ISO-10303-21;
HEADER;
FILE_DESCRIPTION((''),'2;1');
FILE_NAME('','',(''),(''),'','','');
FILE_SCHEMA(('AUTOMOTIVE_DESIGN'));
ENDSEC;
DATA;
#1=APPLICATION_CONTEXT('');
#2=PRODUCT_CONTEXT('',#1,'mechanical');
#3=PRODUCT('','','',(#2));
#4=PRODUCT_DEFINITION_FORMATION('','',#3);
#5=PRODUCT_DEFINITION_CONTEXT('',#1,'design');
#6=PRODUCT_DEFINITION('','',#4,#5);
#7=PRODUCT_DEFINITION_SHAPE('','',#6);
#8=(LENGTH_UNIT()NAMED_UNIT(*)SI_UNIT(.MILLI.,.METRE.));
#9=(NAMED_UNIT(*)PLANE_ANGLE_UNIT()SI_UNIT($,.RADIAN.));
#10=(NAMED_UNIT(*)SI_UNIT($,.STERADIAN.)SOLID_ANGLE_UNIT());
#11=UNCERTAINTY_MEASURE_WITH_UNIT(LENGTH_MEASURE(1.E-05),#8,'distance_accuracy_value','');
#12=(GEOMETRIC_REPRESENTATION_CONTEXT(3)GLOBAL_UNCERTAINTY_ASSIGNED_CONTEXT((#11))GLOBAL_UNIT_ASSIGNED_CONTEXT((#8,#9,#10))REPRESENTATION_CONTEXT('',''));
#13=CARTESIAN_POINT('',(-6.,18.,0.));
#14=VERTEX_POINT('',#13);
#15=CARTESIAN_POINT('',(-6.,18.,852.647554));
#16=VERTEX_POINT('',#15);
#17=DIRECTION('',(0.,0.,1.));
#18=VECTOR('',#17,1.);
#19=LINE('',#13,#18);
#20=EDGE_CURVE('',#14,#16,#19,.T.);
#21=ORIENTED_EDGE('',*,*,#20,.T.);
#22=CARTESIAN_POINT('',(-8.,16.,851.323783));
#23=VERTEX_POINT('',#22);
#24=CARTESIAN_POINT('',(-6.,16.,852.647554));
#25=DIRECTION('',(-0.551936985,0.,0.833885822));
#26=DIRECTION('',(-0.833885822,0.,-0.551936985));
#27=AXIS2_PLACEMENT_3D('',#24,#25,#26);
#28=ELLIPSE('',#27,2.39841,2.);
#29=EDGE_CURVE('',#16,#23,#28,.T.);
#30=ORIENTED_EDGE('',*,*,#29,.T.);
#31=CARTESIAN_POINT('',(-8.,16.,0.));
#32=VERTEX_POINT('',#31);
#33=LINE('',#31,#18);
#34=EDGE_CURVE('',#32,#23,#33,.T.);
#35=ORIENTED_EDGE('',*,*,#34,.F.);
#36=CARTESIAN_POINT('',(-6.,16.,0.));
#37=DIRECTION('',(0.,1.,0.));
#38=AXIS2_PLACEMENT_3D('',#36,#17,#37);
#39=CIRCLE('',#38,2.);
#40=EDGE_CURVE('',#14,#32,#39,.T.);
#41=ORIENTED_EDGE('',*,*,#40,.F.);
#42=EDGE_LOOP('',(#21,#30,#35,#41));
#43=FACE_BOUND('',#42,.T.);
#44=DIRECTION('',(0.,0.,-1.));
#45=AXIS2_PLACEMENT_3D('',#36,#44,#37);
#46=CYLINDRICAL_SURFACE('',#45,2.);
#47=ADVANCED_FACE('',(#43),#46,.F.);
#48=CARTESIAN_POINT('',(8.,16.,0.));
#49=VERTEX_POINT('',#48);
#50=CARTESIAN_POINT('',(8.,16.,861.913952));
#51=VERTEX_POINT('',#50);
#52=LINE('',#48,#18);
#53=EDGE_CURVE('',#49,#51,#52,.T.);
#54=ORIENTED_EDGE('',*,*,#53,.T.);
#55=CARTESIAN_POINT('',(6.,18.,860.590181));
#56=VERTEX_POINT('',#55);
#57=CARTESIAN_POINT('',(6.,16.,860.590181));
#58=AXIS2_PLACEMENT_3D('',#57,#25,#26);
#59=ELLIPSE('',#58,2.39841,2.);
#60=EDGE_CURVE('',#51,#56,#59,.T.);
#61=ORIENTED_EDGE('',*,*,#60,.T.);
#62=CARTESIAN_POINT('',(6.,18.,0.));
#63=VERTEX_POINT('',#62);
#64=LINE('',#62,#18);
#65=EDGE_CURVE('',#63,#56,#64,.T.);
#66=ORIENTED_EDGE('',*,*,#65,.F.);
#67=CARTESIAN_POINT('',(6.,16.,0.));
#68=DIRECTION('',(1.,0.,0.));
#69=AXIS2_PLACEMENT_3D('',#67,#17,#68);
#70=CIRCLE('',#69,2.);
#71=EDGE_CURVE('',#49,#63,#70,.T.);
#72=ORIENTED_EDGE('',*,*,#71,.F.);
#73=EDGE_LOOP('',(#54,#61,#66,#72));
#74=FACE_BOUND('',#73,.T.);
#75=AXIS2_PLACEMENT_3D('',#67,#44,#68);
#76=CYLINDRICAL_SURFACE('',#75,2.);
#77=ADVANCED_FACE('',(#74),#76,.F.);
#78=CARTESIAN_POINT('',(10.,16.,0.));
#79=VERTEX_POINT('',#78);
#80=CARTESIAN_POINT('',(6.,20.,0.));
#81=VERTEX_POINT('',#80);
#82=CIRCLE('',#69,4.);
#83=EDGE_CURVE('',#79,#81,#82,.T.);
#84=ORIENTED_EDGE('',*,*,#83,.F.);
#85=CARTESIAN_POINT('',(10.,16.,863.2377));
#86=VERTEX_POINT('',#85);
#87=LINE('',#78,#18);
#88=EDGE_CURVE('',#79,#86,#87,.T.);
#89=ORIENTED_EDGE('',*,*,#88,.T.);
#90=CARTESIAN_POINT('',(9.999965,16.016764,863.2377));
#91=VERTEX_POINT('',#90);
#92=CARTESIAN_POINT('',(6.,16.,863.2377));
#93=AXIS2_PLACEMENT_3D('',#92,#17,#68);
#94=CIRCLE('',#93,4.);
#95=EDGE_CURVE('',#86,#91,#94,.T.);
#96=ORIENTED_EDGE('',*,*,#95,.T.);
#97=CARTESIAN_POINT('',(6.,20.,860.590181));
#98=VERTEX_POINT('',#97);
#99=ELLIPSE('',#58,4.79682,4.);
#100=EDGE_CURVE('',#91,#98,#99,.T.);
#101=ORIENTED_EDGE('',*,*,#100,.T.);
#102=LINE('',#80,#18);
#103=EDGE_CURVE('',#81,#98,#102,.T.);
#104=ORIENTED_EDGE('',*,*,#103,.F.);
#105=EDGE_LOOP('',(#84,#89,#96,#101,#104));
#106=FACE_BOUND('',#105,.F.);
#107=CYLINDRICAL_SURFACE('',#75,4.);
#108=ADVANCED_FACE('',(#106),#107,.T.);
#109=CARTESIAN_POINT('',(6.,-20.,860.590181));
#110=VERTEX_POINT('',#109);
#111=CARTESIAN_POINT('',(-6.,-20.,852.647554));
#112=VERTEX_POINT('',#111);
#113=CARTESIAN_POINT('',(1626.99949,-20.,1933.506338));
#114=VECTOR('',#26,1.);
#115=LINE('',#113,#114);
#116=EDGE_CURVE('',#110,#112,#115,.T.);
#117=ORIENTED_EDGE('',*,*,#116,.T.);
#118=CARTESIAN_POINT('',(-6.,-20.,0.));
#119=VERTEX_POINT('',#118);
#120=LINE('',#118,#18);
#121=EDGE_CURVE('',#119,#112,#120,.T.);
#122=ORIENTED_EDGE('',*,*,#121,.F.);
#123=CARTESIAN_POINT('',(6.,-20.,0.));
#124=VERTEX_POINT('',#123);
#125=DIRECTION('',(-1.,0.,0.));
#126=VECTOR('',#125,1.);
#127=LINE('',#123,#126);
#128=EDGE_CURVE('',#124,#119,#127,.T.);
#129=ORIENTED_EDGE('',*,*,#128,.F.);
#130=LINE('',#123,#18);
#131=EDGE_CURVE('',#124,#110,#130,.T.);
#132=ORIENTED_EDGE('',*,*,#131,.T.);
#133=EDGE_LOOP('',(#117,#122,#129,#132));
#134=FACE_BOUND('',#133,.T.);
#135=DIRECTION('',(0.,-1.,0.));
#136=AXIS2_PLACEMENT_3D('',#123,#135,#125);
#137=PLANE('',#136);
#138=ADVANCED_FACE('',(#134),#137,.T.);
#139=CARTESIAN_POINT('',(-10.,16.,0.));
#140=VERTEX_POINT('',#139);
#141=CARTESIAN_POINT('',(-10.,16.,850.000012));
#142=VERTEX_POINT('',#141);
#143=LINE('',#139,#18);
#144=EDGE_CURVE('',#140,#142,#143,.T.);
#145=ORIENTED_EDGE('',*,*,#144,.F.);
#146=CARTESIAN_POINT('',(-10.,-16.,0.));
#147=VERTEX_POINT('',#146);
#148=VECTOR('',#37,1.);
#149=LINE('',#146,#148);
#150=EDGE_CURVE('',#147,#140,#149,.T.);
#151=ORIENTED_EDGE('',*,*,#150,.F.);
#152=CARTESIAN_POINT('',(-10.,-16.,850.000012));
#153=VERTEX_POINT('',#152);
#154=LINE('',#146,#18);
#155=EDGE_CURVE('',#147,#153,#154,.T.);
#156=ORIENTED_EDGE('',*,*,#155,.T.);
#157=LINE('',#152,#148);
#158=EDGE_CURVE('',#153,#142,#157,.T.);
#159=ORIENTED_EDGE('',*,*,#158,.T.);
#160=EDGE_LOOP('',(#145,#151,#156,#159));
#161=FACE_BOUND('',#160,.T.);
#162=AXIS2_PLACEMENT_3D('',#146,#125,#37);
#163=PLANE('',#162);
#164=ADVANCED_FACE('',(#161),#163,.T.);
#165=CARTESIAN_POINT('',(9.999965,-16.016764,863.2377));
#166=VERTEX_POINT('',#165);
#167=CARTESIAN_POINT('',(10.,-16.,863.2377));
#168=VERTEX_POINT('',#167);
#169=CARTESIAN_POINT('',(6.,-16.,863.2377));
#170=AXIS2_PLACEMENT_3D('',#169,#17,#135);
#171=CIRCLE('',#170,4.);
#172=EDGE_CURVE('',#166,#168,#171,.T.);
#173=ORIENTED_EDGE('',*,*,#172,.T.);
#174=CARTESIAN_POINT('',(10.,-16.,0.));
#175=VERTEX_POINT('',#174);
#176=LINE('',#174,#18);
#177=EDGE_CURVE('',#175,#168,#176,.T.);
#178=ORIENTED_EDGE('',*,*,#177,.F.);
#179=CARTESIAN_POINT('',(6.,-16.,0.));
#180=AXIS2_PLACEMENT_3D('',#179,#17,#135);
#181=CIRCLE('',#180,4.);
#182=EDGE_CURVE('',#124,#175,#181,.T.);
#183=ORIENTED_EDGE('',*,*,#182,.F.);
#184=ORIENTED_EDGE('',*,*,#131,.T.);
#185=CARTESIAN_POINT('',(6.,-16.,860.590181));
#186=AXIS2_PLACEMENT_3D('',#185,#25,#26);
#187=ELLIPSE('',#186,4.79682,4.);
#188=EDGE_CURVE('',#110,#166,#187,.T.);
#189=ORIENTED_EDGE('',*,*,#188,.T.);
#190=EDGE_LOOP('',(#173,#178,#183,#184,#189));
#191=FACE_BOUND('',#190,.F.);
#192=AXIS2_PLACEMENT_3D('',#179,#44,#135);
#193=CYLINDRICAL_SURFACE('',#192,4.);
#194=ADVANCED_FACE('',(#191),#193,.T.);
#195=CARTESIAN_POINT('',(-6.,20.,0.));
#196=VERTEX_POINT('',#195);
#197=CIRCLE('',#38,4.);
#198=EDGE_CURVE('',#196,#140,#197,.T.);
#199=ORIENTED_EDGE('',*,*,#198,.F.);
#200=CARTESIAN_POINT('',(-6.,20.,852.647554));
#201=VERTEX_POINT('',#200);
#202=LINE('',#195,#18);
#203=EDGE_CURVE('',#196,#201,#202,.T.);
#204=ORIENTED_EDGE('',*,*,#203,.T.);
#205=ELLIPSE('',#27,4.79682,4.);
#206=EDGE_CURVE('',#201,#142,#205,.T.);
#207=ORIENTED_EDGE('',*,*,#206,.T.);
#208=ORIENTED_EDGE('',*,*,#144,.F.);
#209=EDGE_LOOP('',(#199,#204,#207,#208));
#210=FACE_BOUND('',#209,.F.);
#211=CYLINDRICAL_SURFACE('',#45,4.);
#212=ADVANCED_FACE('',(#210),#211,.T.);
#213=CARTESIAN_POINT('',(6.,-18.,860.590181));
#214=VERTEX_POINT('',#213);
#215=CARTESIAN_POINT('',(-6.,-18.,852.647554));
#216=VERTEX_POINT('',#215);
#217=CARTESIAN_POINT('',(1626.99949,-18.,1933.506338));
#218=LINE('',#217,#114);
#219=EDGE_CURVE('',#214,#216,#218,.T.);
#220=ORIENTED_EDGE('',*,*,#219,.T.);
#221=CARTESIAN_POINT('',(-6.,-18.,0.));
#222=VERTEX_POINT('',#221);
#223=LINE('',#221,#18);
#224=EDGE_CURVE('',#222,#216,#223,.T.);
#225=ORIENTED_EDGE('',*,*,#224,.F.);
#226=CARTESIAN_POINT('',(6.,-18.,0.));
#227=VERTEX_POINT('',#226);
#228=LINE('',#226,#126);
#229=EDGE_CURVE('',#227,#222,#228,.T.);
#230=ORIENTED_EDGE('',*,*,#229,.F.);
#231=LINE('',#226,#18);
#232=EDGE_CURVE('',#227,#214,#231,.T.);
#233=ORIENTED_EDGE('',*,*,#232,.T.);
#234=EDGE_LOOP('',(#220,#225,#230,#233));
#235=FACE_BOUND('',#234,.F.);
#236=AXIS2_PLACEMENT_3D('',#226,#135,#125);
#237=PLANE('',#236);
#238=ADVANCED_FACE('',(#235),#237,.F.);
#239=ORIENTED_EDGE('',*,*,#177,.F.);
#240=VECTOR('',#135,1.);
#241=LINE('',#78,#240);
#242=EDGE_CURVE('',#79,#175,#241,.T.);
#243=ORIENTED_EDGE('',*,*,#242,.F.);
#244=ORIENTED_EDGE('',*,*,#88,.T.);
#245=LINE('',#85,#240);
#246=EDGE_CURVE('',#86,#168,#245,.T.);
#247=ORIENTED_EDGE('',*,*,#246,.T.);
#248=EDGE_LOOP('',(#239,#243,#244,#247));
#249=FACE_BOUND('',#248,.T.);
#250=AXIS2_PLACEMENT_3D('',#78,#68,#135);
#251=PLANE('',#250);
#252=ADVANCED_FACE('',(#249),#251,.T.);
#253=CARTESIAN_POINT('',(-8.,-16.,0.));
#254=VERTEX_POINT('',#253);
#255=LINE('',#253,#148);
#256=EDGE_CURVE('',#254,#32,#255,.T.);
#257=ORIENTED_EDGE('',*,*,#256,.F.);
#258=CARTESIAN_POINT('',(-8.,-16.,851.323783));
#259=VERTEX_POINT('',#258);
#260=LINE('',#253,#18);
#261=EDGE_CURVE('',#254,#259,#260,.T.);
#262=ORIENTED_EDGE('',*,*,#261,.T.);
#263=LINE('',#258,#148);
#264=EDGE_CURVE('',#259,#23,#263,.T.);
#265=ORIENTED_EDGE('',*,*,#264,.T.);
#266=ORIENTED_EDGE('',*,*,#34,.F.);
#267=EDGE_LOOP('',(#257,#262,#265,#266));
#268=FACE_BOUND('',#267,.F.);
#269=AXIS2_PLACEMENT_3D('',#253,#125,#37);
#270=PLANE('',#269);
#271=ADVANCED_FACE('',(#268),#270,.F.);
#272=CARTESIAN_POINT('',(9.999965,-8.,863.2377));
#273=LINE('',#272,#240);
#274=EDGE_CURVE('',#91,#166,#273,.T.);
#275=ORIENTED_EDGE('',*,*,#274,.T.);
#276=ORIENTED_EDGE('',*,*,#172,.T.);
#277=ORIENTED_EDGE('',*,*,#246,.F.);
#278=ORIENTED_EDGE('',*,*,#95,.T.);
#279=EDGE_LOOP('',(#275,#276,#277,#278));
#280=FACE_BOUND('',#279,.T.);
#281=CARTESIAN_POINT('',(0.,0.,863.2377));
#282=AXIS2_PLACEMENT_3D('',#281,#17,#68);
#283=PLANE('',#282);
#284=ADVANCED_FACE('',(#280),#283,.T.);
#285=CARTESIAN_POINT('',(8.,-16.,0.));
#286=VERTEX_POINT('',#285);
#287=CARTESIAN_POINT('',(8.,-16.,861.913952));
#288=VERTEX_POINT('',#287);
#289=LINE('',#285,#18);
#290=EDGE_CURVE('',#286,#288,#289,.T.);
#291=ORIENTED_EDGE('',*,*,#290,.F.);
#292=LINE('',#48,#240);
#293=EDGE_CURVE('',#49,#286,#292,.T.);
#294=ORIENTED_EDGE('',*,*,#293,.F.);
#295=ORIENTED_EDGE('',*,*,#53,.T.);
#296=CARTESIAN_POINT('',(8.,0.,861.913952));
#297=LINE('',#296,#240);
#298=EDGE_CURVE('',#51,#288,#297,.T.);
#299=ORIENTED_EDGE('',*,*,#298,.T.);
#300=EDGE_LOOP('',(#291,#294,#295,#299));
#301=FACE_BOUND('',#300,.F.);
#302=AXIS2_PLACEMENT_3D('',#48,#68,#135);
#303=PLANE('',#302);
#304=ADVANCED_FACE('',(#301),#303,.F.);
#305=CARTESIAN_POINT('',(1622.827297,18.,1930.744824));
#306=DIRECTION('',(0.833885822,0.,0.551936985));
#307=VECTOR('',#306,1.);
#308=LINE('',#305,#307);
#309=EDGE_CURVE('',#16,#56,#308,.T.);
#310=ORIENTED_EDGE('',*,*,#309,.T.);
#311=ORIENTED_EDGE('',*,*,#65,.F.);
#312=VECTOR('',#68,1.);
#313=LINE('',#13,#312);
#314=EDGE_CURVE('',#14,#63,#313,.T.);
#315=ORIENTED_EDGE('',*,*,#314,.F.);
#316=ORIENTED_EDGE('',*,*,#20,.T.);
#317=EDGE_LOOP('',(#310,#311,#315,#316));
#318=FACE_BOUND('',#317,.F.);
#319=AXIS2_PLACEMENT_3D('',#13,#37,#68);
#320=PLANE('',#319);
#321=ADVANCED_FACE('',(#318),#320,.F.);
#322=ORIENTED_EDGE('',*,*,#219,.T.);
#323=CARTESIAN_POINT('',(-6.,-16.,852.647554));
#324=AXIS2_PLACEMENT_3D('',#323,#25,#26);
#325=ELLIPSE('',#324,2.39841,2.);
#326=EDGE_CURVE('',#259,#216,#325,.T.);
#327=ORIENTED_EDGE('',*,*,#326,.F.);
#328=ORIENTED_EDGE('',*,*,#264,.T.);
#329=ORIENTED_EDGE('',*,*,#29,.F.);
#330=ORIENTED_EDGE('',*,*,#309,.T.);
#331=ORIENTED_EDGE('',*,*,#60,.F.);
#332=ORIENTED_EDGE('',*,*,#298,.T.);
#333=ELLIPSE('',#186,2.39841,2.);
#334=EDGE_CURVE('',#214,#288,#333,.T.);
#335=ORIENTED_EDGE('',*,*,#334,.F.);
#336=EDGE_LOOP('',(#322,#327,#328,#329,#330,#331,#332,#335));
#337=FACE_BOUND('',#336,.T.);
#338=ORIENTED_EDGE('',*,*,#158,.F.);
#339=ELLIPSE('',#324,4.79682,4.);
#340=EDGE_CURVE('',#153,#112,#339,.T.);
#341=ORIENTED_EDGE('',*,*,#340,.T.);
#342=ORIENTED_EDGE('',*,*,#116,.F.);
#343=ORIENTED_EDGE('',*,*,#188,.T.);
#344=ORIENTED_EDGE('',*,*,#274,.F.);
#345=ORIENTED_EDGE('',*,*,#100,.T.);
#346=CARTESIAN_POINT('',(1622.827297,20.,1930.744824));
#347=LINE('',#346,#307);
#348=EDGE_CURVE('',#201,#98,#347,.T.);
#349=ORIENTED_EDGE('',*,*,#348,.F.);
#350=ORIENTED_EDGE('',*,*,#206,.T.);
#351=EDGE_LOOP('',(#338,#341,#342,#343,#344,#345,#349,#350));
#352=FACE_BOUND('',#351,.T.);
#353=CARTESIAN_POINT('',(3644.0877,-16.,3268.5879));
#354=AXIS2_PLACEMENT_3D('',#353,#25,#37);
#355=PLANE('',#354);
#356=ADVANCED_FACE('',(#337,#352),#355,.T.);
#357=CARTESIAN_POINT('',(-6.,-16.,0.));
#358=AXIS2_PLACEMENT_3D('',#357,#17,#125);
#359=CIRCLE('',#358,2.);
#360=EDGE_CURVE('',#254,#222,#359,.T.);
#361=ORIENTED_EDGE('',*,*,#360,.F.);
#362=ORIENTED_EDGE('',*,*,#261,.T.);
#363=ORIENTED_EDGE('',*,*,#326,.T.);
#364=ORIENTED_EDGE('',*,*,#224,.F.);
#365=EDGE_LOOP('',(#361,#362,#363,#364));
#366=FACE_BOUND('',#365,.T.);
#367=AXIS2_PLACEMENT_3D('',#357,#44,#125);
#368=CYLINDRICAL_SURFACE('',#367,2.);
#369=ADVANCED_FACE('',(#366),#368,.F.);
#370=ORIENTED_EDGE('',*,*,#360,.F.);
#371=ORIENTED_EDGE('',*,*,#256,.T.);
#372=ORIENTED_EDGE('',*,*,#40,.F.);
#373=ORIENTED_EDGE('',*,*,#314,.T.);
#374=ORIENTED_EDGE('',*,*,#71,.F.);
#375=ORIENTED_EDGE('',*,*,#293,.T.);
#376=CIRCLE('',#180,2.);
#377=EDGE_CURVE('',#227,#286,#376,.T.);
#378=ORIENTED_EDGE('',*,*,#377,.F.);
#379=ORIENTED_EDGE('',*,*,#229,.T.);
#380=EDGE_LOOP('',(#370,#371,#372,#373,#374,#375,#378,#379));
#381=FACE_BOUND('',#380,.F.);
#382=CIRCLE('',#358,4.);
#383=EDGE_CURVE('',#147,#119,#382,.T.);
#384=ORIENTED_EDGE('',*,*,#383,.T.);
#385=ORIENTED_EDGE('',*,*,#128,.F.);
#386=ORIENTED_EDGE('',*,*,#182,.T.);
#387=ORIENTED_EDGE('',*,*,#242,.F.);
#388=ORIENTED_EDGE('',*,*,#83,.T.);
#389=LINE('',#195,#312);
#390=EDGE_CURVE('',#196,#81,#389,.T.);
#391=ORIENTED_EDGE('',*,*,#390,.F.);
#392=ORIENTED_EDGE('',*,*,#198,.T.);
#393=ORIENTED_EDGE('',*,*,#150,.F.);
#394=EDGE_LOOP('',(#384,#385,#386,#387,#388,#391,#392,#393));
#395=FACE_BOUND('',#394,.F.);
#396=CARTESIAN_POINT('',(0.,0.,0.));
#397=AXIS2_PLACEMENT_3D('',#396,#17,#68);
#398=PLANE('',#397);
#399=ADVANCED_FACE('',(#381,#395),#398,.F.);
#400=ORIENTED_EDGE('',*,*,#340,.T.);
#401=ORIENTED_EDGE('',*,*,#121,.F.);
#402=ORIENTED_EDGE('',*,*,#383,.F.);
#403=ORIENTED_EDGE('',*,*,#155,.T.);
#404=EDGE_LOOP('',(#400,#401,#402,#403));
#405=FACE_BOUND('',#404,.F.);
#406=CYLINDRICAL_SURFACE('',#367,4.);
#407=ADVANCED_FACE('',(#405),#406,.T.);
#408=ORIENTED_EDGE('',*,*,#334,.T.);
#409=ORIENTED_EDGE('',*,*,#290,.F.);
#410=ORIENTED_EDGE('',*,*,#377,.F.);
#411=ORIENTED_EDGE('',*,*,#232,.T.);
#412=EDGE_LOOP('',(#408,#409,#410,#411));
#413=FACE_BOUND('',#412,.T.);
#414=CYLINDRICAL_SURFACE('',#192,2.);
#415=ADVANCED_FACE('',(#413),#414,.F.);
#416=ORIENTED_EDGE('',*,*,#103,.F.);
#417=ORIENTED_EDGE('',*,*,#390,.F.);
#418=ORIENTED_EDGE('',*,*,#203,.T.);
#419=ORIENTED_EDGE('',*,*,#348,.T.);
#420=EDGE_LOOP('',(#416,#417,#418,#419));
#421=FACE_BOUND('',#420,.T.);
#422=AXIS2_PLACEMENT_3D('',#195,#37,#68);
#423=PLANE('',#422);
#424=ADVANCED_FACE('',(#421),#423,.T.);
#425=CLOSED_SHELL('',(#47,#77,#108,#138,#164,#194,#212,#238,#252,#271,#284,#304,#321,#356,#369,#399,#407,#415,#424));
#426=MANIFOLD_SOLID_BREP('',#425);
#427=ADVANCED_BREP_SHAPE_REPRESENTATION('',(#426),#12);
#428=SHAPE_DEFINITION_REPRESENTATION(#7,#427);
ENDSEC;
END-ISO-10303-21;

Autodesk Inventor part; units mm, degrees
ref_plane "Start Plane" through (0, 0, 0) normal (0, 0, 1) x (1, 0, 0)
ref_plane "End Plane" through (0, 0, 863.2377) normal (0, 0, 1) x (1, 0, 0)
sketch "Sketch" plane through (0, 0, 0) normal (0, 0, 1) x (1, 0, 0)
  line L0 (-10, -16) -> (-10, 16)
  line L1 (-6, 20) -> (6, 20)
  line L2 (10, 16) -> (10, -16)
  line L3 (6, -20) -> (-6, -20)
  arc A0 (-10, -16) -> (-6, -20) centre (-6, -16) ccw
  arc A1 (10, 16) -> (6, 20) centre (6, 16) ccw
  arc A2 (-6, 20) -> (-10, 16) centre (-6, 16) ccw
  arc A3 (6, -20) -> (10, -16) centre (6, -16) ccw
  arc A4 (-6, 18) -> (-8, 16) centre (-6, 16) ccw
  line L4 (-6, 18) -> (6, 18)
  arc A5 (8, 16) -> (6, 18) centre (6, 16) ccw
  line L5 (8, 16) -> (8, -16)
  arc A6 (6, -18) -> (8, -16) centre (6, -16) ccw
  line L6 (6, -18) -> (-6, -18)
  arc A7 (-8, -16) -> (-6, -18) centre (-6, -16) ccw
  line L7 (-8, -16) -> (-8, 16)
  line L8 (0, 29.1598) -> (0, -29.1598) construction
  line L9 (-15.1598, 0) -> (15.1598, 0) construction
  dimension "d7" = 4
  dimension "d9" = 20
  dimension "d11" = 40
  dimension "d12" = 2
  dimension "d15" = 10
  dimension "d16" = 20
extrude "Body" add sketch "Sketch" along normal up to surface (863.2377 mm away) from surface at 0
sketch "Sketch3" plane through (0, 0, 0) normal (0, 0, 1) x (1, 0, 0)
  line L0 (0, 0) -> (10, 0)
ref_plane "Work Plane3" through (0, 0, 0) normal (0, -1, 0) x (1, 0, 0)
ref_plane "Work Plane4" through (3644.0877, -16, 3268.5879) normal (-0.5519, 0, 0.8339) x (0.8339, 0, 0.5519)
split "Split1" plane through (3644.0877, -16, 3268.5879) removes the side toward (-0.5519, 0, 0.8339)
sketch "Sketch4" plane through (0, 0, 0) normal (0, -1, 0) x (1, 0, 0)
  line L0 (-2, 0) -> (12, 0) projected
  line L1 (-2, 863.2377) -> (12, 863.2377) projected
  dimension "d18" = 863.2377
equation "\"d7\" = G_IR"
equation "\"d9\" = G_W"
equation "\"d11\" = G_H"
equation "\"d12\" = G_T"
equation "\"d15\" = 0.5 * d9"
equation "\"d16\" = 0.5 * d11"
equation "\"d3\" = G_L"
equation "\"G_W\" = 20"
equation "\"G_H\" = 40"
equation "\"G_T\" = 2"
equation "\"G_IR\" = 4"
equation "\"G_L\" = d18"
equation "\"G_OFFSET_START\" = 0"
equation "\"G_OFFSET_END\" = 13.23771"
equation "\"d14\" = G_OFFSET_END + B_L"
equation "\"B_L\" = 850"
properties part number "ISO 4019 - 40x20x2 - 863.24" material "Steel, Mild"
